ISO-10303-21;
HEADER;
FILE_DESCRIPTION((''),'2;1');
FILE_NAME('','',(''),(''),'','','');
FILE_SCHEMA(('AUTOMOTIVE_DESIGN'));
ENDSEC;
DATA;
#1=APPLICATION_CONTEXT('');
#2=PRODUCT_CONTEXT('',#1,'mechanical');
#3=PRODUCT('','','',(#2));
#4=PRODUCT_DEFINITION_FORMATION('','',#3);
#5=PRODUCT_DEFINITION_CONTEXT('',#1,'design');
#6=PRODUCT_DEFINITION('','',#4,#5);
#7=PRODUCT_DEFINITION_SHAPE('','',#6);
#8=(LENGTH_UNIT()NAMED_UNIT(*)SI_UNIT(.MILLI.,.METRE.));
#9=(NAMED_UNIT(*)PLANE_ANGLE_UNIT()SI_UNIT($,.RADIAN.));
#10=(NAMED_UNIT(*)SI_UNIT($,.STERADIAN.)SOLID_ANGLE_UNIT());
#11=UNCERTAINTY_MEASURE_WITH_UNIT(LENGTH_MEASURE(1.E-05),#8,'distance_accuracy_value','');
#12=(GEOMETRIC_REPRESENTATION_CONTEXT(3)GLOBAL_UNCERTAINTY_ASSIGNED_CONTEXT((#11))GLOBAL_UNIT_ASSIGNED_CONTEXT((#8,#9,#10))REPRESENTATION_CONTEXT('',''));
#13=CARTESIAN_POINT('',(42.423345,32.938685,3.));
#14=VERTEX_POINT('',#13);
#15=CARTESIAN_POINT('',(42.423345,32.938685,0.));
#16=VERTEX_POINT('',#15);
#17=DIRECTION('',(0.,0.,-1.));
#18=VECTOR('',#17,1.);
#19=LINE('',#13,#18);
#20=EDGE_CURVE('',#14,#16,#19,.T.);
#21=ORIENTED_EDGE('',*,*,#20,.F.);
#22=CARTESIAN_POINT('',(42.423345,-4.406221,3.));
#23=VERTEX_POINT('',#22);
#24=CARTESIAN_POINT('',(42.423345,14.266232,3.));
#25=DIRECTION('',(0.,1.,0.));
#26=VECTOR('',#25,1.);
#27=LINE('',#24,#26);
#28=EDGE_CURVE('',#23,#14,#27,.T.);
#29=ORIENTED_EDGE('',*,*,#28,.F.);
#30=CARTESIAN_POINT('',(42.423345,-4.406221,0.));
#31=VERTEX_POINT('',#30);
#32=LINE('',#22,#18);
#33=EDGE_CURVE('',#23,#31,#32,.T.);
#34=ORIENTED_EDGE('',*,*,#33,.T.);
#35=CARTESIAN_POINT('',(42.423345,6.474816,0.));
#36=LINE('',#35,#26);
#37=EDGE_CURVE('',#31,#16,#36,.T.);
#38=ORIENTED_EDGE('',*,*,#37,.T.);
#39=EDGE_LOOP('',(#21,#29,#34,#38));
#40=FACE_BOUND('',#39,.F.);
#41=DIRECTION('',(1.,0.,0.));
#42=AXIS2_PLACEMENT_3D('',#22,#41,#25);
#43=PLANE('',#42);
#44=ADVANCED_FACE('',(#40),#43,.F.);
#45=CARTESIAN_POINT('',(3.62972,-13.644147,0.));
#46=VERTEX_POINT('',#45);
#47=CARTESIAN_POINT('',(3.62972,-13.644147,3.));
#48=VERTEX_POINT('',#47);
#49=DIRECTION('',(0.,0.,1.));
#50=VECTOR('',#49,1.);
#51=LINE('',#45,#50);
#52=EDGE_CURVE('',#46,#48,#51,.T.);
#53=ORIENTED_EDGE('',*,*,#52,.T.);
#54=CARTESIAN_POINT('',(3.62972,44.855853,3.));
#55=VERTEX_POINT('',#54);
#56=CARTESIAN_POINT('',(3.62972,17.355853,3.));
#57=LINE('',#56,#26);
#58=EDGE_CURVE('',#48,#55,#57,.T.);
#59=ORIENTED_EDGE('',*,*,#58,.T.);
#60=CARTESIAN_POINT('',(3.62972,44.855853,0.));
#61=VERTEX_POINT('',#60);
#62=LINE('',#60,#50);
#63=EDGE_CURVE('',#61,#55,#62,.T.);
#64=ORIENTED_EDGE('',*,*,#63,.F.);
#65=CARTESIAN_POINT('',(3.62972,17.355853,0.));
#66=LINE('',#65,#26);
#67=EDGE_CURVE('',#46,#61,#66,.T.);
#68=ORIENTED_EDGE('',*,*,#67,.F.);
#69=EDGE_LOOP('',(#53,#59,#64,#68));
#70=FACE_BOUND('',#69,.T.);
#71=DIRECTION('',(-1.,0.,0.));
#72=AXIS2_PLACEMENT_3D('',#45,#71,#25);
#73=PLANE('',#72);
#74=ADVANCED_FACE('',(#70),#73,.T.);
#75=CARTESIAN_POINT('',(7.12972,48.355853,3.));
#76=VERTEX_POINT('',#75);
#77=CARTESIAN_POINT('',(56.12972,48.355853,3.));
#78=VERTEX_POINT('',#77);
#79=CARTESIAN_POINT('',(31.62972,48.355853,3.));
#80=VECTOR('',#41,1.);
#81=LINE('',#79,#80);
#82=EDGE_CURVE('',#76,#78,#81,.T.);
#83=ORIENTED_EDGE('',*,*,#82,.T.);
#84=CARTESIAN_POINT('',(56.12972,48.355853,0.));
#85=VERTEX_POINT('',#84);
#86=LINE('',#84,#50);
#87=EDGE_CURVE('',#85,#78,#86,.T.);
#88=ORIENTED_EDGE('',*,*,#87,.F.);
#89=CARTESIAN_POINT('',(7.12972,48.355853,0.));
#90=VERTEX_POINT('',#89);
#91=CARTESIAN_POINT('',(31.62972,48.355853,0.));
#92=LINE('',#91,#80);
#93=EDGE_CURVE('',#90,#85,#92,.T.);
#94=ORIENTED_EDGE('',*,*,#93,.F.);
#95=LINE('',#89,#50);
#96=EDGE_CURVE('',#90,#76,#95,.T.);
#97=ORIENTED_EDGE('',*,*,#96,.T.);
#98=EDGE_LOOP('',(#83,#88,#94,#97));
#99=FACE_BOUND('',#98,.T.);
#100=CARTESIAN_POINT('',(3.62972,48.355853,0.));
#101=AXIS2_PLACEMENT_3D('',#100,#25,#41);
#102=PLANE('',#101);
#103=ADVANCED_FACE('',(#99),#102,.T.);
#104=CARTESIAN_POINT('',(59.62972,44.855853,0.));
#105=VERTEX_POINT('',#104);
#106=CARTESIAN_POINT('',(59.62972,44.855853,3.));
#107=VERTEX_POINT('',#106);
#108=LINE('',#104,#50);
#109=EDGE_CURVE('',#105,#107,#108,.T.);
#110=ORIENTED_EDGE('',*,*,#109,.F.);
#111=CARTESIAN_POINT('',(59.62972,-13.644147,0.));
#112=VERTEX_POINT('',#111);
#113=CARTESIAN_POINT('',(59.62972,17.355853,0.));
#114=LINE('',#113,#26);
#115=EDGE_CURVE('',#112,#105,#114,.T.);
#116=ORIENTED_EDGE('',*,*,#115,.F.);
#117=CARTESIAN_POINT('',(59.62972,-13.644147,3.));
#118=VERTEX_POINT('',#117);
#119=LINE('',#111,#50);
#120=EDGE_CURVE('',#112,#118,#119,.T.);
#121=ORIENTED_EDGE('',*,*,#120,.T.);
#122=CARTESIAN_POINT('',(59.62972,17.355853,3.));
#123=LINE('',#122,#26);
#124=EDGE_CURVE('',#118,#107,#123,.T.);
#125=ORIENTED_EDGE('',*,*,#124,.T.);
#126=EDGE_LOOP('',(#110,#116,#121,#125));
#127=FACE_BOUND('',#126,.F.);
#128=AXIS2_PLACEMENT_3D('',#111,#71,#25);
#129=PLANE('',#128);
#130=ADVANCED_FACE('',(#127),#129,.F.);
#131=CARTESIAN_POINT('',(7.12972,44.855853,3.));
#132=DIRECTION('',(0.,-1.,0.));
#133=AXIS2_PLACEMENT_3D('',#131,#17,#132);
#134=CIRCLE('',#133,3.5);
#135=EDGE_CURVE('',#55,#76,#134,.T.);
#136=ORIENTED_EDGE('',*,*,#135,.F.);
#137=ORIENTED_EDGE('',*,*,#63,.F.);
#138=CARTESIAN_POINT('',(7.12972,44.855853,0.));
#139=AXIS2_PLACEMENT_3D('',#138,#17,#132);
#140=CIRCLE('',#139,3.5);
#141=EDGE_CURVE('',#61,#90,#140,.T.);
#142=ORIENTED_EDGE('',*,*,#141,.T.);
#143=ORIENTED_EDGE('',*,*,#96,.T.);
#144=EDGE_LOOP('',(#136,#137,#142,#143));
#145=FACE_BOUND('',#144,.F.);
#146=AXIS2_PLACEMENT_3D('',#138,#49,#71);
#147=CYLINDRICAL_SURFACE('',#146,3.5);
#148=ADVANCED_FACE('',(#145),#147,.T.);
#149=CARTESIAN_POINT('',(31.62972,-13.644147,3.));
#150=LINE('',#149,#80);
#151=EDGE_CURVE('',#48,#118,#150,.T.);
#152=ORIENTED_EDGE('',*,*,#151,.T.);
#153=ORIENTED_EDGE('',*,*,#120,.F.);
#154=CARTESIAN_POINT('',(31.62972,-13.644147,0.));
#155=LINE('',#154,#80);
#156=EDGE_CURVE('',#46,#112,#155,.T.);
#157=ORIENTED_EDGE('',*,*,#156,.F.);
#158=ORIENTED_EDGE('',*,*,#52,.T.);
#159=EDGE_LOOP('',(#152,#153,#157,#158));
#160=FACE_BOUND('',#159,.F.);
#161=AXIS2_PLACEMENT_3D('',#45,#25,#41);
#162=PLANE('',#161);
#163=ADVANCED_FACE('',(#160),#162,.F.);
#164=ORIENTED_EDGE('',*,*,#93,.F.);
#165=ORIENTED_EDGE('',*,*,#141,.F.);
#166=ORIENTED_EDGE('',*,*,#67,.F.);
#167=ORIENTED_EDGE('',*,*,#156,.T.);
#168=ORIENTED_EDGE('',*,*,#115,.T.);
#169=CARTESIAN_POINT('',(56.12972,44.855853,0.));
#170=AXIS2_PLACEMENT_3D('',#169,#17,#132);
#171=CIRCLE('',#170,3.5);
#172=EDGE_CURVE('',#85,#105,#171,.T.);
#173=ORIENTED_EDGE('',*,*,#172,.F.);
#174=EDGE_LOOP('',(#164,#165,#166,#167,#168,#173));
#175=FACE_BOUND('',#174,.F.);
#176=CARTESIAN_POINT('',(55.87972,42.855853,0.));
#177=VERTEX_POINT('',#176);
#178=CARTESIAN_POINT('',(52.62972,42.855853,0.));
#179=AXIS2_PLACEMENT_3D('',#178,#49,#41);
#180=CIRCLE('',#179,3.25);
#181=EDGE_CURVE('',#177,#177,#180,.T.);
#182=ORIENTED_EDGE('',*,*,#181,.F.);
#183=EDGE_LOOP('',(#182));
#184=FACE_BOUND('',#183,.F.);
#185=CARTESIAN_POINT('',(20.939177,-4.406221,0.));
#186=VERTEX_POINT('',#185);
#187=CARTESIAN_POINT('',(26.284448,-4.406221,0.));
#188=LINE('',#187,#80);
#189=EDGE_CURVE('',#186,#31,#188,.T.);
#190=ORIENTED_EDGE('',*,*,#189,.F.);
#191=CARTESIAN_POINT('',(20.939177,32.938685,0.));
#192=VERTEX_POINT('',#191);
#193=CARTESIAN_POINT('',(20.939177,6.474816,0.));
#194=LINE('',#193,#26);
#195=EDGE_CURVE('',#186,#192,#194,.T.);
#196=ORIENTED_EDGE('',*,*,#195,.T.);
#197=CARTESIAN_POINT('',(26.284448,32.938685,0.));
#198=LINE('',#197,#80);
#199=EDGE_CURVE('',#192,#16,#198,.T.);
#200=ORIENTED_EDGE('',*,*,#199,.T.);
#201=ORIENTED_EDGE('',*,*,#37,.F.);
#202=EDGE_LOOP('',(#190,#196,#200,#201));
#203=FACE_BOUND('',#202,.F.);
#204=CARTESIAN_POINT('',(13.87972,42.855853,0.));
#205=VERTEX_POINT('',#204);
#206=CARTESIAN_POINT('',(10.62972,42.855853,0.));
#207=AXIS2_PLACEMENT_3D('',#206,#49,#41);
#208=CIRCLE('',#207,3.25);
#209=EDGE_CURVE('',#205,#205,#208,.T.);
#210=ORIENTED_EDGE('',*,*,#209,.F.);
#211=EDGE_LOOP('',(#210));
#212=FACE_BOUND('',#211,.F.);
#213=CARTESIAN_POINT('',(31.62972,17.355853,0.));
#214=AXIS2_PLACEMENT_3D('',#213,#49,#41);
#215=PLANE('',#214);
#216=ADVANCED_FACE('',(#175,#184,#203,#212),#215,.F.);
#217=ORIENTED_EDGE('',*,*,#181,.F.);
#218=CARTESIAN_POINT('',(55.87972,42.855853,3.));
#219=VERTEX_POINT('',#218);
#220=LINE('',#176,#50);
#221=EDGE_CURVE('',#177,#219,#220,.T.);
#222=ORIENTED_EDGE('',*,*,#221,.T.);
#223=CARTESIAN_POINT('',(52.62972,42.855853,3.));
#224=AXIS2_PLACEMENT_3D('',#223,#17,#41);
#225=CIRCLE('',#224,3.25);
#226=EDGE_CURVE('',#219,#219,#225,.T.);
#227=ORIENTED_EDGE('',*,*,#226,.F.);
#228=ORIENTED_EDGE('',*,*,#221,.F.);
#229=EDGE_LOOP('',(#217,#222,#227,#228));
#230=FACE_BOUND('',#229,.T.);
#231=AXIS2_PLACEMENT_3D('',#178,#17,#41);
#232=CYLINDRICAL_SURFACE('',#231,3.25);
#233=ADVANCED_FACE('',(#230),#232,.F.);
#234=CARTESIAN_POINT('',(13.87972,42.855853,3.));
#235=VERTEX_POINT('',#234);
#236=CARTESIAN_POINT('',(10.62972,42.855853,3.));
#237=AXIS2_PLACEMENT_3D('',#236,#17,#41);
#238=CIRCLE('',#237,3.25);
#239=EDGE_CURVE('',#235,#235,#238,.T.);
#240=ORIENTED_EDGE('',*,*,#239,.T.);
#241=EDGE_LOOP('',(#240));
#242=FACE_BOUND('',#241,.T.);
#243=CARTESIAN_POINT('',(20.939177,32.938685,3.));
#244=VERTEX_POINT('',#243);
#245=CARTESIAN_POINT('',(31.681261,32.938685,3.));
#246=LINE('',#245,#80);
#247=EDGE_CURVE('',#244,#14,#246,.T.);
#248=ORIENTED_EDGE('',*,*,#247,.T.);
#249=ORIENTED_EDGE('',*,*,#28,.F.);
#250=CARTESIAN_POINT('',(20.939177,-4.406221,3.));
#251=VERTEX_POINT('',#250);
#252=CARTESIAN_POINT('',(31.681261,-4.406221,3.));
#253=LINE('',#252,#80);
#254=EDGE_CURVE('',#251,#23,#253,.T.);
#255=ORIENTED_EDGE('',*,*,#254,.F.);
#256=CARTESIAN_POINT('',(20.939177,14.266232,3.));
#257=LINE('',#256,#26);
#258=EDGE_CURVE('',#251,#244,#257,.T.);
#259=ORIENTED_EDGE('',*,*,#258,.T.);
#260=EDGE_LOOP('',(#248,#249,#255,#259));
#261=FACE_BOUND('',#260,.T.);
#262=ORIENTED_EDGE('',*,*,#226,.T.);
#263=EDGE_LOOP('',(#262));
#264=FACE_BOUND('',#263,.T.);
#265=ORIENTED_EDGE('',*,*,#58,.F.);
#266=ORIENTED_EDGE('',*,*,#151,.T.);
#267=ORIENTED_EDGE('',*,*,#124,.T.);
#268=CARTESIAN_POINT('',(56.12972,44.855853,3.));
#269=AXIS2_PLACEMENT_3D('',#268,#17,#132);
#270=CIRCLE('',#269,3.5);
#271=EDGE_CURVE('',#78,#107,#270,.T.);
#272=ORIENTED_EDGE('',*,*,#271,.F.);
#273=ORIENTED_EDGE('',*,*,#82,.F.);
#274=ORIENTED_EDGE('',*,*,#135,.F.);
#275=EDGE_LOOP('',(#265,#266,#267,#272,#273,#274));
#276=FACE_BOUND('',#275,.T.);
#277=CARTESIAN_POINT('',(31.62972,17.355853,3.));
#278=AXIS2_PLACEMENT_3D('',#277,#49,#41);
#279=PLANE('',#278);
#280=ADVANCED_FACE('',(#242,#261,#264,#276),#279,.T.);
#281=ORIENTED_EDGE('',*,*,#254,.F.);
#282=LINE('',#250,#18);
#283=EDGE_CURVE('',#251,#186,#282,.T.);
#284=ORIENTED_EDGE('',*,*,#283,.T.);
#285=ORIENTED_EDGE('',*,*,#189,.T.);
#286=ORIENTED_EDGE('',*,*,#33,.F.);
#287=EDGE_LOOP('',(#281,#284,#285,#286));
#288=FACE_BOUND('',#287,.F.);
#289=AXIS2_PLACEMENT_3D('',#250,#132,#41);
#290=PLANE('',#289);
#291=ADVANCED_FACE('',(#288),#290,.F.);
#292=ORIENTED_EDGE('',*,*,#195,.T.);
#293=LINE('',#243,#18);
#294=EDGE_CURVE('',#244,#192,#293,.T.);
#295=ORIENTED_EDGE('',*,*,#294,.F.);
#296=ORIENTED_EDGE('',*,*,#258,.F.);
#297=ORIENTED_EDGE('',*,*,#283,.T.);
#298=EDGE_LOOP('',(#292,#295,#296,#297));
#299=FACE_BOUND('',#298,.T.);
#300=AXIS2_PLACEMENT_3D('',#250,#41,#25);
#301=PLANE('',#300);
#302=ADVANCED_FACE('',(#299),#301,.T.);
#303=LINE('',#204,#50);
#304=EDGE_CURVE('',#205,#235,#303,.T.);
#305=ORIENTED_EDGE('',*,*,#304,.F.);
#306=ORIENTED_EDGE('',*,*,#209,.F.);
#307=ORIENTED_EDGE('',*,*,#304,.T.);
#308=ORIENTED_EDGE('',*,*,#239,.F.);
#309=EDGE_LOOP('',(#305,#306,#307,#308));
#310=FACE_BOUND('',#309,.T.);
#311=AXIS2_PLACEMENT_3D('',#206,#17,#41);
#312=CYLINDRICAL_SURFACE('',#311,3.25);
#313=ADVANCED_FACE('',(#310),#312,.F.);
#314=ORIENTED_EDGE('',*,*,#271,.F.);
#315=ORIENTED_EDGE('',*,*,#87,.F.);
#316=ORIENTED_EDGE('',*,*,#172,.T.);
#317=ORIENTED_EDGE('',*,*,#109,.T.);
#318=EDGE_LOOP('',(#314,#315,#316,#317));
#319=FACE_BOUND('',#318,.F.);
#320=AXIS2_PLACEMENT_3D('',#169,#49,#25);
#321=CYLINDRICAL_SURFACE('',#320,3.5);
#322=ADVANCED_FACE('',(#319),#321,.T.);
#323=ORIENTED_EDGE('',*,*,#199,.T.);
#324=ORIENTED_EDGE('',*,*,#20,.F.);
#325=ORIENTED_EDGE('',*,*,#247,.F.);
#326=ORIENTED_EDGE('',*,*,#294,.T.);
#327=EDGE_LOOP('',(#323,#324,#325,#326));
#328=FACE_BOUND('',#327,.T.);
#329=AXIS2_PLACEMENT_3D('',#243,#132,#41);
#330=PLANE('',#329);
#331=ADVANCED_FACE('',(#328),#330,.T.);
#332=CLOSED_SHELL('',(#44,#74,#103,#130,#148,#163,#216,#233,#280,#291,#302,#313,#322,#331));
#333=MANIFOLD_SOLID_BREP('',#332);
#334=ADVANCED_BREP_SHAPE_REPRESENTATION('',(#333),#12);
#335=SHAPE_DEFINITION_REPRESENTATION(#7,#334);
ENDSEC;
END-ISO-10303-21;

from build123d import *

# Parameters (mm, degrees)
F0_W     = 56
F0_H     = 62
F1_DEPTH = 3
F2_R     = 3.25
F3_DEPTH = 3.5
F4_R     = 3.5
F5_W     = 21.484168
F5_H     = 37.344906
F6_DEPTH = 3.5


with BuildPart() as f1:
    # F0 (on Top) → F1 (new body)
    with BuildSketch(Plane.XY):
        with Locations((31.62972, 17.355853)):
            Rectangle(F0_W, F0_H)
    extrude(amount=F1_DEPTH)

    # F2 (on Top) → F3 (cut)
    with BuildSketch(Plane.XY):
        with Locations((52.62972, 42.855853)):
            Circle(F2_R)
        with Locations((10.62972, 42.855853)):
            Circle(F2_R)
    extrude(amount=F3_DEPTH, mode=Mode.SUBTRACT)

    # F4
    f4_edges = [f1.edges().sort_by_distance(p)[0] for p in [
        (3.62972, 48.355853, 1.5),
        (59.62972, 48.355853, 1.5),
    ]]
    fillet(f4_edges, radius=F4_R)

    # F5 (on face) → F6 (cut)
    with BuildSketch(Plane.XY.offset(3)):
        with Locations((31.681261, 14.266232)):
            Rectangle(F5_W, F5_H)
    extrude(amount=-F6_DEPTH, mode=Mode.SUBTRACT)


solid = f1.part
